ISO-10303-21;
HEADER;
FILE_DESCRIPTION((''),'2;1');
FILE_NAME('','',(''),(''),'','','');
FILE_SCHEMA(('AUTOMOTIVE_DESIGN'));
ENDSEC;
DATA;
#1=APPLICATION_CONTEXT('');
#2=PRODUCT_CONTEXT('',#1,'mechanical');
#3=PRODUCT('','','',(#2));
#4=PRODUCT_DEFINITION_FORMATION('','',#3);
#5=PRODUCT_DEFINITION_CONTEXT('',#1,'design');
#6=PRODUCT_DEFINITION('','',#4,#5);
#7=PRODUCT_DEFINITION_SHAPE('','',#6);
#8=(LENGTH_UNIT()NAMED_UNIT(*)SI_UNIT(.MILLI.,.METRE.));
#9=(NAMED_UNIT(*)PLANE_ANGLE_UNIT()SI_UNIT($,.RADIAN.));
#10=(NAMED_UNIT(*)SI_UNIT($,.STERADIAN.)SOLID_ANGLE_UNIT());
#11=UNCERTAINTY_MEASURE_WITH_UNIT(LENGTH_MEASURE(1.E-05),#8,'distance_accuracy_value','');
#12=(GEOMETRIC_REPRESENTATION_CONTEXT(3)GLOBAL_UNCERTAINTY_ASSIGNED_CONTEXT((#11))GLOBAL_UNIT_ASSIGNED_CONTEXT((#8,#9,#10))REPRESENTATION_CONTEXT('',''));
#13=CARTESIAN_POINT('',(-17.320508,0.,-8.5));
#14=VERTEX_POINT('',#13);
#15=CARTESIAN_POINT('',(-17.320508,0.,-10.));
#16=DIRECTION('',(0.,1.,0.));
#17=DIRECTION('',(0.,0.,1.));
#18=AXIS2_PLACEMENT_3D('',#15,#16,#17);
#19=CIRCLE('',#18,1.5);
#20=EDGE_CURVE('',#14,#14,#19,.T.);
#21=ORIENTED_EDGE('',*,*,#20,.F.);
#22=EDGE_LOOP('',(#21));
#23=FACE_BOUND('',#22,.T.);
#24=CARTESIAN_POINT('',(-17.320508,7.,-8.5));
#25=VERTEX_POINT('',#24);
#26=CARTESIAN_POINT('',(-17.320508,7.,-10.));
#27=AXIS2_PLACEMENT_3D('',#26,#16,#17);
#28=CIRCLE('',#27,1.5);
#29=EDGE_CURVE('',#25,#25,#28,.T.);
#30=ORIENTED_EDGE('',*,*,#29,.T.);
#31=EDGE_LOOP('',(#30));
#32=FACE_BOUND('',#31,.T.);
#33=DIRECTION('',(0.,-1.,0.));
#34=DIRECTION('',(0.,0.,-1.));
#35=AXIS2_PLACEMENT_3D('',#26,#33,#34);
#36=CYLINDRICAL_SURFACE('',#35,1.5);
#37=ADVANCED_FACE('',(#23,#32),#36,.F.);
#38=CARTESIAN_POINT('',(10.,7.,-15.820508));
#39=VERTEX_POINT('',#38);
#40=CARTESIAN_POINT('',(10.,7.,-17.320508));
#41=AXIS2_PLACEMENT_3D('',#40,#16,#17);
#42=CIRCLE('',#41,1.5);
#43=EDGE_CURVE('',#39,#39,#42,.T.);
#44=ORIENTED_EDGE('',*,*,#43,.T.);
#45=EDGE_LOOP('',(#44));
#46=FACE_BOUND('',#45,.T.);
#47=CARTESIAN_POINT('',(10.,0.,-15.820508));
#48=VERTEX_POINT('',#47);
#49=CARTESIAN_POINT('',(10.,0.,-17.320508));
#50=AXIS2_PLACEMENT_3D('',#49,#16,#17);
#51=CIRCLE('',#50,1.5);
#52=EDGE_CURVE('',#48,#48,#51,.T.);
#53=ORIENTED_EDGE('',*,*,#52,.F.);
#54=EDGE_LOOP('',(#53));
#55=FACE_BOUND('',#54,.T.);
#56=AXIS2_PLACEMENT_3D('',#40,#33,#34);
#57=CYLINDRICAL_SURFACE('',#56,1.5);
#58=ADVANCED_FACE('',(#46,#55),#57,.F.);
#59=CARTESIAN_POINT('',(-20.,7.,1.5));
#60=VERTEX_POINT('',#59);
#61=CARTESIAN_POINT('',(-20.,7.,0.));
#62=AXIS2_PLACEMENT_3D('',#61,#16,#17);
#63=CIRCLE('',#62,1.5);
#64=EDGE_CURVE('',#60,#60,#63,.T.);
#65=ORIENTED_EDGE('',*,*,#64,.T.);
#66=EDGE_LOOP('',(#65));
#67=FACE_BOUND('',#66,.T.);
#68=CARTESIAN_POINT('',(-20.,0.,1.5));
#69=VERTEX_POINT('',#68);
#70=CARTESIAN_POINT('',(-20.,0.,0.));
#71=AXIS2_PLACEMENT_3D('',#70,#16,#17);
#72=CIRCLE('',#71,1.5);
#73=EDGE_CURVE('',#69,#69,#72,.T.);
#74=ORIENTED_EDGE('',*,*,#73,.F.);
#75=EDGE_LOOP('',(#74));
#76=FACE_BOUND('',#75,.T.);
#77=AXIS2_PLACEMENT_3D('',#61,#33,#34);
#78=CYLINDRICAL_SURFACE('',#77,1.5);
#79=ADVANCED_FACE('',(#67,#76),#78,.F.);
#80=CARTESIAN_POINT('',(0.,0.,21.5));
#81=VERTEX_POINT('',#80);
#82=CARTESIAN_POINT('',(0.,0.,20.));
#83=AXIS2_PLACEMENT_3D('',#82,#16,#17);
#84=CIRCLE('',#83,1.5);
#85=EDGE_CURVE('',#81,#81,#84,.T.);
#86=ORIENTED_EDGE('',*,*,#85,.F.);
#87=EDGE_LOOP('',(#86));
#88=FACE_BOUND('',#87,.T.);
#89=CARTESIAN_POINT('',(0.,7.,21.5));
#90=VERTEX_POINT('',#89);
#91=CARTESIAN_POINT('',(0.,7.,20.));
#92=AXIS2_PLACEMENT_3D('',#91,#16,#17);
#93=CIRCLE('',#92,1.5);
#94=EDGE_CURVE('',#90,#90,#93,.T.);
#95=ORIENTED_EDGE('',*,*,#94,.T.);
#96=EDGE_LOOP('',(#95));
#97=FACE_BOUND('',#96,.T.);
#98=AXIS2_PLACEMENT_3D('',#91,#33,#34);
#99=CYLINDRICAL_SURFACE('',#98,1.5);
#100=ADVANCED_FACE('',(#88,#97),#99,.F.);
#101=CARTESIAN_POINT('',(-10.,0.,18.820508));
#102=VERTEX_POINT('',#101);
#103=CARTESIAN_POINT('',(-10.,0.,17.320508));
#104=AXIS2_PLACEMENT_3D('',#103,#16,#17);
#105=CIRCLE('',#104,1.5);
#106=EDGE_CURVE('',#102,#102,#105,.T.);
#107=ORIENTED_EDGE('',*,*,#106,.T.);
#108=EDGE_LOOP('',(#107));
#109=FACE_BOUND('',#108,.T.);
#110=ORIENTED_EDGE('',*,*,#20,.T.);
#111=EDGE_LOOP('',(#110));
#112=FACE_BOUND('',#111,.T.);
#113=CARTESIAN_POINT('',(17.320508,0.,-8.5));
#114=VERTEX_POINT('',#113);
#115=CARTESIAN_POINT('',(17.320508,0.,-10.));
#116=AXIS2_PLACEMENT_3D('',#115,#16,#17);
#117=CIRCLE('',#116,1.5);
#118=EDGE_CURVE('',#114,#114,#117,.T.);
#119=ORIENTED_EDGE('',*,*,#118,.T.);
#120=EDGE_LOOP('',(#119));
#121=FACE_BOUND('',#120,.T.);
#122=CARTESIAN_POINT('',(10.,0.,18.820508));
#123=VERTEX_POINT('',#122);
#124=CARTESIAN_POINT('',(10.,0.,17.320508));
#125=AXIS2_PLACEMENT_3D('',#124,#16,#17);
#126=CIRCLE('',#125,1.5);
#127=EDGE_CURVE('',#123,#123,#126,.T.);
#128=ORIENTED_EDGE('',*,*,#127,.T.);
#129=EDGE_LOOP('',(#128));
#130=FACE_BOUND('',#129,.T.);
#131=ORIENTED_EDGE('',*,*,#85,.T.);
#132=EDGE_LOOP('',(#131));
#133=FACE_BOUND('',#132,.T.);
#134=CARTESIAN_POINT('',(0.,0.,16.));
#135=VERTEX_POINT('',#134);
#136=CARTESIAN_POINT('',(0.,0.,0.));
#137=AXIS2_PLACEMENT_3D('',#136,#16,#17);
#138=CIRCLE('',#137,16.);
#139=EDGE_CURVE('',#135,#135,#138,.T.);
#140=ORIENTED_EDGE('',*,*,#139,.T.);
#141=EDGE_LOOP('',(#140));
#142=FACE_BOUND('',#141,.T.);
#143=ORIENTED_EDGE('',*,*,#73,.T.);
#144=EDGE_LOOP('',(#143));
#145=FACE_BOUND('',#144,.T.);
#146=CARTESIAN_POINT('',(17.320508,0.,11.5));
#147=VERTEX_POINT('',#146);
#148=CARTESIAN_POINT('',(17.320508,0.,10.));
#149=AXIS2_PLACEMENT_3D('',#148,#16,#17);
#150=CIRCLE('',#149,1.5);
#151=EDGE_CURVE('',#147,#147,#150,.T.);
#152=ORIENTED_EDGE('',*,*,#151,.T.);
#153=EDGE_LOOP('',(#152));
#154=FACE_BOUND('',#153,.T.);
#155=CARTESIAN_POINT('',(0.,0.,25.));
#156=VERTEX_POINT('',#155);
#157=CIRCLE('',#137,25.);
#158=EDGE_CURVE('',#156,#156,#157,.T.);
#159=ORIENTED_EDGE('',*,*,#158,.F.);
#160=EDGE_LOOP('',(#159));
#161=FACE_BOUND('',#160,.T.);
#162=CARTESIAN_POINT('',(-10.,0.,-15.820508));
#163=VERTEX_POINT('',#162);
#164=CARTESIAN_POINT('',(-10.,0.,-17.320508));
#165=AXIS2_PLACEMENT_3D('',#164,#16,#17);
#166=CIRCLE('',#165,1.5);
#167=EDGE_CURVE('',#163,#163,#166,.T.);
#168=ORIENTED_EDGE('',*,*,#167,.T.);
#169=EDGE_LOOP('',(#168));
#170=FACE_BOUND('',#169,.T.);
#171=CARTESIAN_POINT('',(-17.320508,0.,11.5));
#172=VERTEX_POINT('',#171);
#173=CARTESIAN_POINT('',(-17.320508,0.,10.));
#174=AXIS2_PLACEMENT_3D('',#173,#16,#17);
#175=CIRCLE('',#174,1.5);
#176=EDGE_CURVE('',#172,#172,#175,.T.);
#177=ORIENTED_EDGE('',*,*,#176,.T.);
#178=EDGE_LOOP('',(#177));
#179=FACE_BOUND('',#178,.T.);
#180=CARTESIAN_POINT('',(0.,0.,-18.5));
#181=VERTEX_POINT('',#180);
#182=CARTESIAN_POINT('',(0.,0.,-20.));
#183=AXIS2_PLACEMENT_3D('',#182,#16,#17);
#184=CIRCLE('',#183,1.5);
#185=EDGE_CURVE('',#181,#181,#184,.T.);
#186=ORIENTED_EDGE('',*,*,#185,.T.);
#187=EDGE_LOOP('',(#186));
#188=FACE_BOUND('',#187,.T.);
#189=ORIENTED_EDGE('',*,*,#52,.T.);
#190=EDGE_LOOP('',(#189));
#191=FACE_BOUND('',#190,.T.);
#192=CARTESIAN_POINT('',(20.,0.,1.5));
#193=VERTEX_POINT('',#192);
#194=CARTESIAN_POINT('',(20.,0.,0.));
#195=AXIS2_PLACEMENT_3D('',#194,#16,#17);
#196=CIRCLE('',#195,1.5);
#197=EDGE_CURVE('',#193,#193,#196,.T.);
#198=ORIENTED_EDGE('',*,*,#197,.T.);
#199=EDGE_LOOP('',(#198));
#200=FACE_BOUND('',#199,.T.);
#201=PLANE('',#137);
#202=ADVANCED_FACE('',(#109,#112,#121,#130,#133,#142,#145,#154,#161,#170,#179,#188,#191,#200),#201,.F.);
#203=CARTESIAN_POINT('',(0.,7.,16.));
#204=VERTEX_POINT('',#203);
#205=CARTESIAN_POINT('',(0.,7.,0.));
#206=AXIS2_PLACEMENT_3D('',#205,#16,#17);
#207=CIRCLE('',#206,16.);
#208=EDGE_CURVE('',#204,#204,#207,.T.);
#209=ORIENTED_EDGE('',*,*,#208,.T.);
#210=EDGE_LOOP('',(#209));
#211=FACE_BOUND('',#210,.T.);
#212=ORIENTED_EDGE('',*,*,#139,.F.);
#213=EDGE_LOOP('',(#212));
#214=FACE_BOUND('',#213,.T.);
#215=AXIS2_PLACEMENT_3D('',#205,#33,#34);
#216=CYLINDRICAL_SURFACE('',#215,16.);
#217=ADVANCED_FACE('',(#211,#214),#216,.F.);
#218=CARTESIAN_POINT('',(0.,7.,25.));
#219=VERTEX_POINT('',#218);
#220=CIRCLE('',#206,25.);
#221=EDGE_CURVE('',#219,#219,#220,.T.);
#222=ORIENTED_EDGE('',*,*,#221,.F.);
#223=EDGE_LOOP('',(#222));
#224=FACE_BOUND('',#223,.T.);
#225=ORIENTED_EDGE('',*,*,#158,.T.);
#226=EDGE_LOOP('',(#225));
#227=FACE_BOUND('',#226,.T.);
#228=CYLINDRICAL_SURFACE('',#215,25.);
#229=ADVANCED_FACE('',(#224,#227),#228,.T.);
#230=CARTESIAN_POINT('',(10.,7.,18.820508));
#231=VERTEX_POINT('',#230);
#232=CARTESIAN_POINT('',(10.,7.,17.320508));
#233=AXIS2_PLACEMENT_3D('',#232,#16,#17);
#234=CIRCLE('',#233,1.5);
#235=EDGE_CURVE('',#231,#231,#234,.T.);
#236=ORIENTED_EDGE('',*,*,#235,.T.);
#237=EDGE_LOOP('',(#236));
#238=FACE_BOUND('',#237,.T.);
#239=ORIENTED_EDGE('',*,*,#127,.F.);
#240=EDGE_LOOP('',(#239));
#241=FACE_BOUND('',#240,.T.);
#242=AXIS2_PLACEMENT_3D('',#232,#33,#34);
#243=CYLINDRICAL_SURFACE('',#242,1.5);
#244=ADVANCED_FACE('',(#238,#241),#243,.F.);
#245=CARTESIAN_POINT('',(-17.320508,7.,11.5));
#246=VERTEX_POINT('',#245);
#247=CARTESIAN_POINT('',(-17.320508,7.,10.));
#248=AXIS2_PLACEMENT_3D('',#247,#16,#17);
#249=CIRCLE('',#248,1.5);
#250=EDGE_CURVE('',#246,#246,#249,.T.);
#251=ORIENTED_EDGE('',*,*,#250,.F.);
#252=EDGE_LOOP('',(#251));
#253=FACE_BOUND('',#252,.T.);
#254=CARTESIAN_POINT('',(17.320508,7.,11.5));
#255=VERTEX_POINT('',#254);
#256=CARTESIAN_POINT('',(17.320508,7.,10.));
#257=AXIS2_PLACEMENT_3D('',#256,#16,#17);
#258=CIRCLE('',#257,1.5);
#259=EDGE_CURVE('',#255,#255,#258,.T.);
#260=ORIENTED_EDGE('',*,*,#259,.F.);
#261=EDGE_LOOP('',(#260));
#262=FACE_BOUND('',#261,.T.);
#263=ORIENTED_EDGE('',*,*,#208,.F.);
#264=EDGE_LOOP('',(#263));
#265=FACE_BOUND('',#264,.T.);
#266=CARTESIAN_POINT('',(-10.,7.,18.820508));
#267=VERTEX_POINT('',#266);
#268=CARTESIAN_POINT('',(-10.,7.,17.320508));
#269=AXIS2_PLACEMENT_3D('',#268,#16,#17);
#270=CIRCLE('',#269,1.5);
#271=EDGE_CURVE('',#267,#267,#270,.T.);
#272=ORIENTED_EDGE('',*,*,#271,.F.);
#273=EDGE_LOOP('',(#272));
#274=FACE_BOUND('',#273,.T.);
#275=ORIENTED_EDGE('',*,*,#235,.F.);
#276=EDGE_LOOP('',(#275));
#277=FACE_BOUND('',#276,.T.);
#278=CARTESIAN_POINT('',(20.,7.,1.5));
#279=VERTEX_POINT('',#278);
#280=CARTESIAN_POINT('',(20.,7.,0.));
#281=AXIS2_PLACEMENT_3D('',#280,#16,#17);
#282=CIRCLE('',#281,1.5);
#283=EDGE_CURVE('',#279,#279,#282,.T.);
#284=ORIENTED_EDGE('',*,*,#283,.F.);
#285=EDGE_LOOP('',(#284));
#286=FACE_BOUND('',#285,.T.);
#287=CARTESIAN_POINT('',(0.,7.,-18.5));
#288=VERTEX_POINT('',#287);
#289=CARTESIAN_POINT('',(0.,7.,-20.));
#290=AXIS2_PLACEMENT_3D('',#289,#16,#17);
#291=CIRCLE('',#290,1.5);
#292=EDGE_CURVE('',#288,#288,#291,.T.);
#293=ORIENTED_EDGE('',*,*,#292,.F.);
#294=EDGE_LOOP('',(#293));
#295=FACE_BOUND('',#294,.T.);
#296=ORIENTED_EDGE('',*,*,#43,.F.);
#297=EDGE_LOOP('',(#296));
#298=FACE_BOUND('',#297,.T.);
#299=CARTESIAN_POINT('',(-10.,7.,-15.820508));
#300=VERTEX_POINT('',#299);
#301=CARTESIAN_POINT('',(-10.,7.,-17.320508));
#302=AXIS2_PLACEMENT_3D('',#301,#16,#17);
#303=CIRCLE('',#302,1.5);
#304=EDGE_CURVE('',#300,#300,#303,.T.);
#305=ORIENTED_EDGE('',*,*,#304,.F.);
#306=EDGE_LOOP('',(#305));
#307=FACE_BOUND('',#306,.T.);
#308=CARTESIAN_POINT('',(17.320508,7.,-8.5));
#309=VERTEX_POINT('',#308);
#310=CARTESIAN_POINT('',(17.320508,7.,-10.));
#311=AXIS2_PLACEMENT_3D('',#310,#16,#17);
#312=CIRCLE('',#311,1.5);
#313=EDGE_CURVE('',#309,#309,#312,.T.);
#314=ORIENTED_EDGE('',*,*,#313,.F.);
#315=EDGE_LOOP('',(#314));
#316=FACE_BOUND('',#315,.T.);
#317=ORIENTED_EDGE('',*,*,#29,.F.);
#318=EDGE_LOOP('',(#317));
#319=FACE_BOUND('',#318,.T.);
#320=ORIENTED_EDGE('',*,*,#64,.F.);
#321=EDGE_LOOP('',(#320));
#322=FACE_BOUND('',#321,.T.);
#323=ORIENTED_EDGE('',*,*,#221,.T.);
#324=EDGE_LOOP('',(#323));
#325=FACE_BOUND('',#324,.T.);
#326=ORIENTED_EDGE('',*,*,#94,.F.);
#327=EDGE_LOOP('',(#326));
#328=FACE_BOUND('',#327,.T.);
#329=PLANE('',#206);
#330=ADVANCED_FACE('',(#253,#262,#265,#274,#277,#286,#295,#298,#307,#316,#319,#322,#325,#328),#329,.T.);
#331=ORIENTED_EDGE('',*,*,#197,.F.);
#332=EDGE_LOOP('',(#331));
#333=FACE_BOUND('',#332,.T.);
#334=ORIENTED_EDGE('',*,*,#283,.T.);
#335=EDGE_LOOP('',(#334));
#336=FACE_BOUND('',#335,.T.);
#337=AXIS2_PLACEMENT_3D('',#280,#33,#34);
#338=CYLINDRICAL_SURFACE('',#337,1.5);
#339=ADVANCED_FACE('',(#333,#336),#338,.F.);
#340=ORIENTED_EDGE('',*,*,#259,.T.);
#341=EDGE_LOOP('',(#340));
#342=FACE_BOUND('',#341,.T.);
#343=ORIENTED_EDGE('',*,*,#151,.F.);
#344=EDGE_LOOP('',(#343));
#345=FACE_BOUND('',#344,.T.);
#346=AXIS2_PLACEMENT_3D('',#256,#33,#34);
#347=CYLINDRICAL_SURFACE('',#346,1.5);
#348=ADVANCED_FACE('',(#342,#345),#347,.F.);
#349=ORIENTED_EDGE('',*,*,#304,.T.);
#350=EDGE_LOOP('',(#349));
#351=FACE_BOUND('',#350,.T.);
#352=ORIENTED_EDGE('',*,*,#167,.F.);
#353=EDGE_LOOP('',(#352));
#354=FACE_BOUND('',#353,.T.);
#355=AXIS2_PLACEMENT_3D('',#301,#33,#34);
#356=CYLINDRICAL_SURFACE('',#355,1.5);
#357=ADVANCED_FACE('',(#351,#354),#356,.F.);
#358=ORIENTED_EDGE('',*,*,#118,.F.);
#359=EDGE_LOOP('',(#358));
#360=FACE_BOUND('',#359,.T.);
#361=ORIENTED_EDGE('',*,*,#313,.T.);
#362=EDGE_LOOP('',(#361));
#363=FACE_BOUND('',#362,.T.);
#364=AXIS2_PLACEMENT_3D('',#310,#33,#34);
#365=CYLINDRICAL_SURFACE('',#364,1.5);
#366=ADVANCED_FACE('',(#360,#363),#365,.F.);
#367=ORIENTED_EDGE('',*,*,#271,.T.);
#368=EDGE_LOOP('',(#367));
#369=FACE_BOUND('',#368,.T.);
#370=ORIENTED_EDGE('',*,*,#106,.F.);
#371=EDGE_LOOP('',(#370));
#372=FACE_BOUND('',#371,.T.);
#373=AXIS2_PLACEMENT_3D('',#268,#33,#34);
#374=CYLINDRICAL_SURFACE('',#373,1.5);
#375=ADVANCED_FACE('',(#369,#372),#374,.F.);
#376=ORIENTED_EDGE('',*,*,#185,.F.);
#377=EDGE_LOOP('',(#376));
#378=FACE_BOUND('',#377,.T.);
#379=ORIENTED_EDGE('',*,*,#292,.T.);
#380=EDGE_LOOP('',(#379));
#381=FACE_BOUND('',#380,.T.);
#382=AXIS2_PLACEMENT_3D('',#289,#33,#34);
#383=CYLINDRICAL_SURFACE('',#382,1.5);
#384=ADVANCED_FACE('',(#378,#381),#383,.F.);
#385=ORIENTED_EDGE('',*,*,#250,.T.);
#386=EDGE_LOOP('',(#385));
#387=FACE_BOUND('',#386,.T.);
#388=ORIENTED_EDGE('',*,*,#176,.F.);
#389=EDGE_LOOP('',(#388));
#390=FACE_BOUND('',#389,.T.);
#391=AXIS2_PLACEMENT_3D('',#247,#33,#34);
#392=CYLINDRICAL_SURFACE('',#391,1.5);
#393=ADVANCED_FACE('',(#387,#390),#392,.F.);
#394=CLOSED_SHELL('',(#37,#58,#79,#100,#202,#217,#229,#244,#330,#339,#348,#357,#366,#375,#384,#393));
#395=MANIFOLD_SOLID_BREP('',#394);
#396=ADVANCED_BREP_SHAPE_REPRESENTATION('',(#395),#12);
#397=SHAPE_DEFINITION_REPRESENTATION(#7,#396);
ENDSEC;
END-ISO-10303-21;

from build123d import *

# Parameters (mm, degrees)
SKETCH_1_R      = 25
SKETCH_1_R_2    = 16
SKETCH_1_R_3    = 1.5
EXTRUDE_1_DEPTH = 7


with BuildPart() as part:
    # 草图1 → 凸台-拉伸1 (new body)
    with BuildSketch(Plane(origin=(0, 0, 0), x_dir=(1, 0, 0), z_dir=(0, 1, 0))):
        with Locations(Location((0, 0, 0), (0, 0, 270))):
            Circle(SKETCH_1_R)
        with Locations(Location((0, 0, 0), (0, 0, 270))):
            Circle(SKETCH_1_R_2, mode=Mode.SUBTRACT)
        with Locations(Location((0, 20, 0), (0, 0, 270))):
            Circle(SKETCH_1_R_3, mode=Mode.SUBTRACT)
        with Locations(Location((10, 17.320508076, 0), (0, 0, 270))):
            Circle(SKETCH_1_R_3, mode=Mode.SUBTRACT)
        with Locations(Location((17.320508076, 10, 0), (0, 0, 270))):
            Circle(SKETCH_1_R_3, mode=Mode.SUBTRACT)
        with Locations(Location((20, 0, 0), (0, 0, 270))):
            Circle(SKETCH_1_R_3, mode=Mode.SUBTRACT)
        with Locations(Location((17.320508076, -10, 0), (0, 0, 270))):
            Circle(SKETCH_1_R_3, mode=Mode.SUBTRACT)
        with Locations(Location((10, -17.320508076, 0), (0, 0, 270))):
            Circle(SKETCH_1_R_3, mode=Mode.SUBTRACT)
        with Locations(Location((0, -20, 0), (0, 0, 270))):
            Circle(SKETCH_1_R_3, mode=Mode.SUBTRACT)
        with Locations(Location((-10, -17.320508076, 0), (0, 0, 270))):
            Circle(SKETCH_1_R_3, mode=Mode.SUBTRACT)
        with Locations(Location((-17.320508076, -10, 0), (0, 0, 270))):
            Circle(SKETCH_1_R_3, mode=Mode.SUBTRACT)
        with Locations(Location((-20, 0, 0), (0, 0, 270))):
            Circle(SKETCH_1_R_3, mode=Mode.SUBTRACT)
        with Locations(Location((-17.320508076, 10, 0), (0, 0, 270))):
            Circle(SKETCH_1_R_3, mode=Mode.SUBTRACT)
        with Locations(Location((-10, 17.320508076, 0), (0, 0, 270))):
            Circle(SKETCH_1_R_3, mode=Mode.SUBTRACT)
    extrude(amount=EXTRUDE_1_DEPTH)


solid = part.part
